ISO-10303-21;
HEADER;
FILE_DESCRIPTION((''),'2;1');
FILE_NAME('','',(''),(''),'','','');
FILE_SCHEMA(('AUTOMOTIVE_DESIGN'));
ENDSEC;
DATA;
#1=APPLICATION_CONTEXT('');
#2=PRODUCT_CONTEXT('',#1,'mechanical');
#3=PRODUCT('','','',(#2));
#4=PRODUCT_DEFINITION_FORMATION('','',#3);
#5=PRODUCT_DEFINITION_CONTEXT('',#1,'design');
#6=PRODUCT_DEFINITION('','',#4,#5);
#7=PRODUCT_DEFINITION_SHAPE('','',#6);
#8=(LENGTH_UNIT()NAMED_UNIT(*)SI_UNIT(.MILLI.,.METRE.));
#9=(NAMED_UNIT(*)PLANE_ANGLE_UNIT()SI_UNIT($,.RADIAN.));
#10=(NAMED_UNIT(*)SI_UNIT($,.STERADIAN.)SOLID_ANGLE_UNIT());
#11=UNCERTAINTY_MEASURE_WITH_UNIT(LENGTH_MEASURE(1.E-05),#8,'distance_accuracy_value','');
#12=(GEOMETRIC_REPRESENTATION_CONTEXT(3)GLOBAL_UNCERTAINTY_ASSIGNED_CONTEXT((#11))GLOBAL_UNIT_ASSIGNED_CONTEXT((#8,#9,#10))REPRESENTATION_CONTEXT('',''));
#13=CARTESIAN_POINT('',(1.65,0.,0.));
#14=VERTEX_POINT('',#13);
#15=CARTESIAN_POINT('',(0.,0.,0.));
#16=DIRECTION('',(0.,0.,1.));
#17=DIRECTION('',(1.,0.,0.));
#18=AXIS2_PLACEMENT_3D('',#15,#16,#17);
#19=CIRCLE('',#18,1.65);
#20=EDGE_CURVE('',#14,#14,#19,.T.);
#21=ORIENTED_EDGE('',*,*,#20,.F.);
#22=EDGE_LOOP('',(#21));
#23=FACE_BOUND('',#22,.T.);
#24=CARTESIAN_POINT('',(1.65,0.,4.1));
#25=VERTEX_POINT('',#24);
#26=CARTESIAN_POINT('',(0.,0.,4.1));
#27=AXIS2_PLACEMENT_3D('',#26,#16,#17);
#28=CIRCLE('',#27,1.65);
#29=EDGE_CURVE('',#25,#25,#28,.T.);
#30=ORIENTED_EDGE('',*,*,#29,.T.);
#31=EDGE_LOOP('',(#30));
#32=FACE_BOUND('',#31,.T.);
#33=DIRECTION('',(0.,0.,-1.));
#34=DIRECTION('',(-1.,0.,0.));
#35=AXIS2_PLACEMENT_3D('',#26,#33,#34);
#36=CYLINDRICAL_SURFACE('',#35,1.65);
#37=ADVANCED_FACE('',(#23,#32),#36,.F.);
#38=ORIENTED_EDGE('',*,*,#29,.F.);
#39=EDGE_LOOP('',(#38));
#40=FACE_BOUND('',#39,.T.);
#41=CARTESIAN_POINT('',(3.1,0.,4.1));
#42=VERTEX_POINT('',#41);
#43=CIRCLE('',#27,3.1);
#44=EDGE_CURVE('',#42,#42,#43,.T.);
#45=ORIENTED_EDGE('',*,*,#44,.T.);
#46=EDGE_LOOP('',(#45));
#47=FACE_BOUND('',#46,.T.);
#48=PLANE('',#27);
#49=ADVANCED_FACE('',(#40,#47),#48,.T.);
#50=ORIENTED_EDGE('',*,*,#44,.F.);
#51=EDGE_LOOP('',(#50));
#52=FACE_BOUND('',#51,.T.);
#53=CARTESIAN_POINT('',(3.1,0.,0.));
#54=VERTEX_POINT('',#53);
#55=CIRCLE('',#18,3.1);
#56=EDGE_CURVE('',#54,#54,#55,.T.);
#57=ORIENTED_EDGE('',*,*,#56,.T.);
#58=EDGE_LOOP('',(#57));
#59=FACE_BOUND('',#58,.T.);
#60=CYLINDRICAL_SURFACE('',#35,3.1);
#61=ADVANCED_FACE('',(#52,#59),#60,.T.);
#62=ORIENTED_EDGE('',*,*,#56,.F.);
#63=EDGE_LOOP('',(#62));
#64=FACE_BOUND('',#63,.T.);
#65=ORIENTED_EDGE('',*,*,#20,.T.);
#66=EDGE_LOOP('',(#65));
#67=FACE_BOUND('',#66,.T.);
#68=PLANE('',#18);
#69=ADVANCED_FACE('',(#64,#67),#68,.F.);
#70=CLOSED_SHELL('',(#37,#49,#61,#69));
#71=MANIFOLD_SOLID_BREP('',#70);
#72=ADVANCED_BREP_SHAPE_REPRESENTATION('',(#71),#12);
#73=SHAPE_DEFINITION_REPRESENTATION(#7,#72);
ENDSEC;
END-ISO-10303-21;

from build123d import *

# Parameters (mm, degrees)
SKETCH1_R           = 3.1
SKETCH1_R_2         = 1.65
BOSS_EXTRUDE1_DEPTH = 4.1


with BuildPart() as part:
    # Sketch1 → Boss-Extrude1 (new body)
    with BuildSketch(Plane.XY):
        Circle(SKETCH1_R)
        Circle(SKETCH1_R_2, mode=Mode.SUBTRACT)
    extrude(amount=BOSS_EXTRUDE1_DEPTH)


solid = part.part
